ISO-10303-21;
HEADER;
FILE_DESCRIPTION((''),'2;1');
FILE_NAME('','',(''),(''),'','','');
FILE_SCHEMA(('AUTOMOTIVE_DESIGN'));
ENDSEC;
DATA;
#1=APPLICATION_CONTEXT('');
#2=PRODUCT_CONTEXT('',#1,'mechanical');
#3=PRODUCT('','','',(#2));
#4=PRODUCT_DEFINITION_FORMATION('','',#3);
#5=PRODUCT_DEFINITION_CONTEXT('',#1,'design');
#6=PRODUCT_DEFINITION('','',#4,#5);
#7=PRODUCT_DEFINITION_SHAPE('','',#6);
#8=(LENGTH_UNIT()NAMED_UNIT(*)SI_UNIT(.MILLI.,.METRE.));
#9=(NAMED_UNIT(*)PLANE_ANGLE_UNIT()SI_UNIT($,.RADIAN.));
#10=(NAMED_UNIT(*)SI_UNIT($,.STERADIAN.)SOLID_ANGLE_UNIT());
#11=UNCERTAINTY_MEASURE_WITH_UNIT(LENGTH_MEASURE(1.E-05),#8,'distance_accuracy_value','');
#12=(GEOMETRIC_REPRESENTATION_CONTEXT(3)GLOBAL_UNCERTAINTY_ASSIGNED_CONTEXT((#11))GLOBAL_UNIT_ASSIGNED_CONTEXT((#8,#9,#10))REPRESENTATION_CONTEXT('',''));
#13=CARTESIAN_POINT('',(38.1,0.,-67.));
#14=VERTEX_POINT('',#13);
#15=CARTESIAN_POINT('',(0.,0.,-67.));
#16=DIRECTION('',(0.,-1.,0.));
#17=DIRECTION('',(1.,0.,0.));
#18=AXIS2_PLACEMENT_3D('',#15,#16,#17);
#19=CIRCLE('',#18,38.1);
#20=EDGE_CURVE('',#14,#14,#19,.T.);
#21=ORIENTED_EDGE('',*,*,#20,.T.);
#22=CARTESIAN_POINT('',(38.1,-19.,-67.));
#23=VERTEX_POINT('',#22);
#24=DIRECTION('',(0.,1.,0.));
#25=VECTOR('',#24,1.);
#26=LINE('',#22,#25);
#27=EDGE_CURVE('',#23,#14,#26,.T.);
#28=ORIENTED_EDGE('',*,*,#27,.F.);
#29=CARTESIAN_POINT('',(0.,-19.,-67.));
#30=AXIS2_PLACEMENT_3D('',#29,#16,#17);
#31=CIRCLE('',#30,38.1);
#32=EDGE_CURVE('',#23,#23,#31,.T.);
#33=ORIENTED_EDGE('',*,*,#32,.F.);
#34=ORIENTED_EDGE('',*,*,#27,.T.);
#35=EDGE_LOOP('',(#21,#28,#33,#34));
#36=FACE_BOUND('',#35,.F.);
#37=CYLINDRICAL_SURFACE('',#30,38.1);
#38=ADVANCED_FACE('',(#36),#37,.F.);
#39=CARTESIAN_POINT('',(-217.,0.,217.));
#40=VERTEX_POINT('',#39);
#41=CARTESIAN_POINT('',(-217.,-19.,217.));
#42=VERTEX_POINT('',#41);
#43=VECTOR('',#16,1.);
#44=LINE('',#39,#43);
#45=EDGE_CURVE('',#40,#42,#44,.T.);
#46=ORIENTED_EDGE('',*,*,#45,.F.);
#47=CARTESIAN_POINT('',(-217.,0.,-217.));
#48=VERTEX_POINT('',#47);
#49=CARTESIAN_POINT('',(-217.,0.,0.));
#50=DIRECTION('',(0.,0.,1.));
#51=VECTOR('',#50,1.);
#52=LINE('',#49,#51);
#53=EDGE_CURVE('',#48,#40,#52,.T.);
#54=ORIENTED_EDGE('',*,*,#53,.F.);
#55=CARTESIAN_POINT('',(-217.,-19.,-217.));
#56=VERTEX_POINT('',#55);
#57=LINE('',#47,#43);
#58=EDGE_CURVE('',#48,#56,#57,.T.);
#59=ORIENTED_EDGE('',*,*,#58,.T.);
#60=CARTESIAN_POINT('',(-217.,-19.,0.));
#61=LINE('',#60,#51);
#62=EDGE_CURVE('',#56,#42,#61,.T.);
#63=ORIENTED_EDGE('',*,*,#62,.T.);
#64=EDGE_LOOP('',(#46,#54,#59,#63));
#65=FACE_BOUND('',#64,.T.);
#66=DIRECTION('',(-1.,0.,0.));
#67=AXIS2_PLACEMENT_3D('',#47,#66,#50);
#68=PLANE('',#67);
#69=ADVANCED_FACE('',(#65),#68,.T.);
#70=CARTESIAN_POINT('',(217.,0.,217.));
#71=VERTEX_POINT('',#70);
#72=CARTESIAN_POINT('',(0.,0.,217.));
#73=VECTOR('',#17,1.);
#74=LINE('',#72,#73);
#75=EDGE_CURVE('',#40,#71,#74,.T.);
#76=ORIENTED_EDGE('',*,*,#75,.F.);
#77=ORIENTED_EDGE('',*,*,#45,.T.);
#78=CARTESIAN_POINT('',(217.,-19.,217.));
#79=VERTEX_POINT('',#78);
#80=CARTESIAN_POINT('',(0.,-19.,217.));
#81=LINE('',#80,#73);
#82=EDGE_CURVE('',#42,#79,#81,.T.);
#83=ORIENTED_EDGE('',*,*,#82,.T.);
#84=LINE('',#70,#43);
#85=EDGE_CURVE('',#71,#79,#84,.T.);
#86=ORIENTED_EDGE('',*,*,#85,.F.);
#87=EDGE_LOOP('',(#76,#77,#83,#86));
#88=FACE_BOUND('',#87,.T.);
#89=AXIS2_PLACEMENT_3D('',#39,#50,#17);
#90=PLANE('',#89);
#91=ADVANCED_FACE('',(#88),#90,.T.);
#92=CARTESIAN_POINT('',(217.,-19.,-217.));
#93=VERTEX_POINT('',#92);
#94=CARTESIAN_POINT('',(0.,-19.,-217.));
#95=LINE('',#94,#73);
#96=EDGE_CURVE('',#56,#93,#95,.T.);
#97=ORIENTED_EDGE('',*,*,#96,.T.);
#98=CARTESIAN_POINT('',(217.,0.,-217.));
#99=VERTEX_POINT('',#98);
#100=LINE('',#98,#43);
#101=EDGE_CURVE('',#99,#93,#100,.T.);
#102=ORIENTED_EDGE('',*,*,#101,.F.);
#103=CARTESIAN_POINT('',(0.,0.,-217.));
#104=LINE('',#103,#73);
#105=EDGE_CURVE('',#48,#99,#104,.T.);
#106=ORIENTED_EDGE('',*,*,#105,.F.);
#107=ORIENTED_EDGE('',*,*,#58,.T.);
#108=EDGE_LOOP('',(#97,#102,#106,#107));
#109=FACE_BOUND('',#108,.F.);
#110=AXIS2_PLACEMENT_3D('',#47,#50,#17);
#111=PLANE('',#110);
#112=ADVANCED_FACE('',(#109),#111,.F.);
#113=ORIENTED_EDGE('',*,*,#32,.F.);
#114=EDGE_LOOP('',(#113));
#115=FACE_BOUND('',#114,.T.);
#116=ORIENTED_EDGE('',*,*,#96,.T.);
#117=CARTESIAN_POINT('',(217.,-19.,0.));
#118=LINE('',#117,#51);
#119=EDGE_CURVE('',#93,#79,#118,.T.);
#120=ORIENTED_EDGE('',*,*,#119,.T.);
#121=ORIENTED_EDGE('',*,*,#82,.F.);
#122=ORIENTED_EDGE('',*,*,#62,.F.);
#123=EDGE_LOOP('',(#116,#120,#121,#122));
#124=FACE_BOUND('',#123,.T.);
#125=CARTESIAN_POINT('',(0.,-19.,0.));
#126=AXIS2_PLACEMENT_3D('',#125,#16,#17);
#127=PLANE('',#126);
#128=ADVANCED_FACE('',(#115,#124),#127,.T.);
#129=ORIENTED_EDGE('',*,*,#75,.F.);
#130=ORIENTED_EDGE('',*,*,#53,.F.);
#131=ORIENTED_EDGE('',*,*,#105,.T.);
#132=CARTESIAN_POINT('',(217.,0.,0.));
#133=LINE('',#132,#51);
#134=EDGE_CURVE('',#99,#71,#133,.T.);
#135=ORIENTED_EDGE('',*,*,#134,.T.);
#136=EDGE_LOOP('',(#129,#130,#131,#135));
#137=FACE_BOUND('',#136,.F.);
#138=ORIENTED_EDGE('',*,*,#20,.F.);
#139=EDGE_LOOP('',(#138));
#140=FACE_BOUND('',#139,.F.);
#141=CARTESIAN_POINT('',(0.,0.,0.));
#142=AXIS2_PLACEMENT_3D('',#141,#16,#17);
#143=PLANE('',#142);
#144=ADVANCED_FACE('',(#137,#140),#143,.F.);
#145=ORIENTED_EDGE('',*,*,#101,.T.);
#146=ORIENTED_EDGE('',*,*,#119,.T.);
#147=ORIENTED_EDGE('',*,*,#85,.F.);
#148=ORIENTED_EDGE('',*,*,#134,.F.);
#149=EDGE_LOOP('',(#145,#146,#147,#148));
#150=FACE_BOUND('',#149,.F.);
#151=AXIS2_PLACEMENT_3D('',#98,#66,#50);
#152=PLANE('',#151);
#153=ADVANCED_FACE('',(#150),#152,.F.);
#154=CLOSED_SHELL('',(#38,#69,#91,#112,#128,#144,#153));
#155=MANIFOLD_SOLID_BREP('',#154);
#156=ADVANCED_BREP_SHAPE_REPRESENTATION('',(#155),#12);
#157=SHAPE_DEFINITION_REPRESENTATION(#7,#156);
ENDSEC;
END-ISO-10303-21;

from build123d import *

# Parameters (mm, degrees)
F0_W     = 434
F0_H     = 434
F1_DEPTH = 19
F2_R     = 38.1
F3_DEPTH = 25.4


with BuildPart() as f1:
    # F0 (on Front) → F1 (new body)
    with BuildSketch(Plane.XZ):
        Rectangle(F0_W, F0_H)
    extrude(amount=F1_DEPTH)

    # F2 (on face) → F3 (cut)
    with BuildSketch(Plane.XZ.offset(19)):
        with Locations((0, -67)):
            Circle(F2_R)
    extrude(amount=-F3_DEPTH, mode=Mode.SUBTRACT)


solid = f1.part
